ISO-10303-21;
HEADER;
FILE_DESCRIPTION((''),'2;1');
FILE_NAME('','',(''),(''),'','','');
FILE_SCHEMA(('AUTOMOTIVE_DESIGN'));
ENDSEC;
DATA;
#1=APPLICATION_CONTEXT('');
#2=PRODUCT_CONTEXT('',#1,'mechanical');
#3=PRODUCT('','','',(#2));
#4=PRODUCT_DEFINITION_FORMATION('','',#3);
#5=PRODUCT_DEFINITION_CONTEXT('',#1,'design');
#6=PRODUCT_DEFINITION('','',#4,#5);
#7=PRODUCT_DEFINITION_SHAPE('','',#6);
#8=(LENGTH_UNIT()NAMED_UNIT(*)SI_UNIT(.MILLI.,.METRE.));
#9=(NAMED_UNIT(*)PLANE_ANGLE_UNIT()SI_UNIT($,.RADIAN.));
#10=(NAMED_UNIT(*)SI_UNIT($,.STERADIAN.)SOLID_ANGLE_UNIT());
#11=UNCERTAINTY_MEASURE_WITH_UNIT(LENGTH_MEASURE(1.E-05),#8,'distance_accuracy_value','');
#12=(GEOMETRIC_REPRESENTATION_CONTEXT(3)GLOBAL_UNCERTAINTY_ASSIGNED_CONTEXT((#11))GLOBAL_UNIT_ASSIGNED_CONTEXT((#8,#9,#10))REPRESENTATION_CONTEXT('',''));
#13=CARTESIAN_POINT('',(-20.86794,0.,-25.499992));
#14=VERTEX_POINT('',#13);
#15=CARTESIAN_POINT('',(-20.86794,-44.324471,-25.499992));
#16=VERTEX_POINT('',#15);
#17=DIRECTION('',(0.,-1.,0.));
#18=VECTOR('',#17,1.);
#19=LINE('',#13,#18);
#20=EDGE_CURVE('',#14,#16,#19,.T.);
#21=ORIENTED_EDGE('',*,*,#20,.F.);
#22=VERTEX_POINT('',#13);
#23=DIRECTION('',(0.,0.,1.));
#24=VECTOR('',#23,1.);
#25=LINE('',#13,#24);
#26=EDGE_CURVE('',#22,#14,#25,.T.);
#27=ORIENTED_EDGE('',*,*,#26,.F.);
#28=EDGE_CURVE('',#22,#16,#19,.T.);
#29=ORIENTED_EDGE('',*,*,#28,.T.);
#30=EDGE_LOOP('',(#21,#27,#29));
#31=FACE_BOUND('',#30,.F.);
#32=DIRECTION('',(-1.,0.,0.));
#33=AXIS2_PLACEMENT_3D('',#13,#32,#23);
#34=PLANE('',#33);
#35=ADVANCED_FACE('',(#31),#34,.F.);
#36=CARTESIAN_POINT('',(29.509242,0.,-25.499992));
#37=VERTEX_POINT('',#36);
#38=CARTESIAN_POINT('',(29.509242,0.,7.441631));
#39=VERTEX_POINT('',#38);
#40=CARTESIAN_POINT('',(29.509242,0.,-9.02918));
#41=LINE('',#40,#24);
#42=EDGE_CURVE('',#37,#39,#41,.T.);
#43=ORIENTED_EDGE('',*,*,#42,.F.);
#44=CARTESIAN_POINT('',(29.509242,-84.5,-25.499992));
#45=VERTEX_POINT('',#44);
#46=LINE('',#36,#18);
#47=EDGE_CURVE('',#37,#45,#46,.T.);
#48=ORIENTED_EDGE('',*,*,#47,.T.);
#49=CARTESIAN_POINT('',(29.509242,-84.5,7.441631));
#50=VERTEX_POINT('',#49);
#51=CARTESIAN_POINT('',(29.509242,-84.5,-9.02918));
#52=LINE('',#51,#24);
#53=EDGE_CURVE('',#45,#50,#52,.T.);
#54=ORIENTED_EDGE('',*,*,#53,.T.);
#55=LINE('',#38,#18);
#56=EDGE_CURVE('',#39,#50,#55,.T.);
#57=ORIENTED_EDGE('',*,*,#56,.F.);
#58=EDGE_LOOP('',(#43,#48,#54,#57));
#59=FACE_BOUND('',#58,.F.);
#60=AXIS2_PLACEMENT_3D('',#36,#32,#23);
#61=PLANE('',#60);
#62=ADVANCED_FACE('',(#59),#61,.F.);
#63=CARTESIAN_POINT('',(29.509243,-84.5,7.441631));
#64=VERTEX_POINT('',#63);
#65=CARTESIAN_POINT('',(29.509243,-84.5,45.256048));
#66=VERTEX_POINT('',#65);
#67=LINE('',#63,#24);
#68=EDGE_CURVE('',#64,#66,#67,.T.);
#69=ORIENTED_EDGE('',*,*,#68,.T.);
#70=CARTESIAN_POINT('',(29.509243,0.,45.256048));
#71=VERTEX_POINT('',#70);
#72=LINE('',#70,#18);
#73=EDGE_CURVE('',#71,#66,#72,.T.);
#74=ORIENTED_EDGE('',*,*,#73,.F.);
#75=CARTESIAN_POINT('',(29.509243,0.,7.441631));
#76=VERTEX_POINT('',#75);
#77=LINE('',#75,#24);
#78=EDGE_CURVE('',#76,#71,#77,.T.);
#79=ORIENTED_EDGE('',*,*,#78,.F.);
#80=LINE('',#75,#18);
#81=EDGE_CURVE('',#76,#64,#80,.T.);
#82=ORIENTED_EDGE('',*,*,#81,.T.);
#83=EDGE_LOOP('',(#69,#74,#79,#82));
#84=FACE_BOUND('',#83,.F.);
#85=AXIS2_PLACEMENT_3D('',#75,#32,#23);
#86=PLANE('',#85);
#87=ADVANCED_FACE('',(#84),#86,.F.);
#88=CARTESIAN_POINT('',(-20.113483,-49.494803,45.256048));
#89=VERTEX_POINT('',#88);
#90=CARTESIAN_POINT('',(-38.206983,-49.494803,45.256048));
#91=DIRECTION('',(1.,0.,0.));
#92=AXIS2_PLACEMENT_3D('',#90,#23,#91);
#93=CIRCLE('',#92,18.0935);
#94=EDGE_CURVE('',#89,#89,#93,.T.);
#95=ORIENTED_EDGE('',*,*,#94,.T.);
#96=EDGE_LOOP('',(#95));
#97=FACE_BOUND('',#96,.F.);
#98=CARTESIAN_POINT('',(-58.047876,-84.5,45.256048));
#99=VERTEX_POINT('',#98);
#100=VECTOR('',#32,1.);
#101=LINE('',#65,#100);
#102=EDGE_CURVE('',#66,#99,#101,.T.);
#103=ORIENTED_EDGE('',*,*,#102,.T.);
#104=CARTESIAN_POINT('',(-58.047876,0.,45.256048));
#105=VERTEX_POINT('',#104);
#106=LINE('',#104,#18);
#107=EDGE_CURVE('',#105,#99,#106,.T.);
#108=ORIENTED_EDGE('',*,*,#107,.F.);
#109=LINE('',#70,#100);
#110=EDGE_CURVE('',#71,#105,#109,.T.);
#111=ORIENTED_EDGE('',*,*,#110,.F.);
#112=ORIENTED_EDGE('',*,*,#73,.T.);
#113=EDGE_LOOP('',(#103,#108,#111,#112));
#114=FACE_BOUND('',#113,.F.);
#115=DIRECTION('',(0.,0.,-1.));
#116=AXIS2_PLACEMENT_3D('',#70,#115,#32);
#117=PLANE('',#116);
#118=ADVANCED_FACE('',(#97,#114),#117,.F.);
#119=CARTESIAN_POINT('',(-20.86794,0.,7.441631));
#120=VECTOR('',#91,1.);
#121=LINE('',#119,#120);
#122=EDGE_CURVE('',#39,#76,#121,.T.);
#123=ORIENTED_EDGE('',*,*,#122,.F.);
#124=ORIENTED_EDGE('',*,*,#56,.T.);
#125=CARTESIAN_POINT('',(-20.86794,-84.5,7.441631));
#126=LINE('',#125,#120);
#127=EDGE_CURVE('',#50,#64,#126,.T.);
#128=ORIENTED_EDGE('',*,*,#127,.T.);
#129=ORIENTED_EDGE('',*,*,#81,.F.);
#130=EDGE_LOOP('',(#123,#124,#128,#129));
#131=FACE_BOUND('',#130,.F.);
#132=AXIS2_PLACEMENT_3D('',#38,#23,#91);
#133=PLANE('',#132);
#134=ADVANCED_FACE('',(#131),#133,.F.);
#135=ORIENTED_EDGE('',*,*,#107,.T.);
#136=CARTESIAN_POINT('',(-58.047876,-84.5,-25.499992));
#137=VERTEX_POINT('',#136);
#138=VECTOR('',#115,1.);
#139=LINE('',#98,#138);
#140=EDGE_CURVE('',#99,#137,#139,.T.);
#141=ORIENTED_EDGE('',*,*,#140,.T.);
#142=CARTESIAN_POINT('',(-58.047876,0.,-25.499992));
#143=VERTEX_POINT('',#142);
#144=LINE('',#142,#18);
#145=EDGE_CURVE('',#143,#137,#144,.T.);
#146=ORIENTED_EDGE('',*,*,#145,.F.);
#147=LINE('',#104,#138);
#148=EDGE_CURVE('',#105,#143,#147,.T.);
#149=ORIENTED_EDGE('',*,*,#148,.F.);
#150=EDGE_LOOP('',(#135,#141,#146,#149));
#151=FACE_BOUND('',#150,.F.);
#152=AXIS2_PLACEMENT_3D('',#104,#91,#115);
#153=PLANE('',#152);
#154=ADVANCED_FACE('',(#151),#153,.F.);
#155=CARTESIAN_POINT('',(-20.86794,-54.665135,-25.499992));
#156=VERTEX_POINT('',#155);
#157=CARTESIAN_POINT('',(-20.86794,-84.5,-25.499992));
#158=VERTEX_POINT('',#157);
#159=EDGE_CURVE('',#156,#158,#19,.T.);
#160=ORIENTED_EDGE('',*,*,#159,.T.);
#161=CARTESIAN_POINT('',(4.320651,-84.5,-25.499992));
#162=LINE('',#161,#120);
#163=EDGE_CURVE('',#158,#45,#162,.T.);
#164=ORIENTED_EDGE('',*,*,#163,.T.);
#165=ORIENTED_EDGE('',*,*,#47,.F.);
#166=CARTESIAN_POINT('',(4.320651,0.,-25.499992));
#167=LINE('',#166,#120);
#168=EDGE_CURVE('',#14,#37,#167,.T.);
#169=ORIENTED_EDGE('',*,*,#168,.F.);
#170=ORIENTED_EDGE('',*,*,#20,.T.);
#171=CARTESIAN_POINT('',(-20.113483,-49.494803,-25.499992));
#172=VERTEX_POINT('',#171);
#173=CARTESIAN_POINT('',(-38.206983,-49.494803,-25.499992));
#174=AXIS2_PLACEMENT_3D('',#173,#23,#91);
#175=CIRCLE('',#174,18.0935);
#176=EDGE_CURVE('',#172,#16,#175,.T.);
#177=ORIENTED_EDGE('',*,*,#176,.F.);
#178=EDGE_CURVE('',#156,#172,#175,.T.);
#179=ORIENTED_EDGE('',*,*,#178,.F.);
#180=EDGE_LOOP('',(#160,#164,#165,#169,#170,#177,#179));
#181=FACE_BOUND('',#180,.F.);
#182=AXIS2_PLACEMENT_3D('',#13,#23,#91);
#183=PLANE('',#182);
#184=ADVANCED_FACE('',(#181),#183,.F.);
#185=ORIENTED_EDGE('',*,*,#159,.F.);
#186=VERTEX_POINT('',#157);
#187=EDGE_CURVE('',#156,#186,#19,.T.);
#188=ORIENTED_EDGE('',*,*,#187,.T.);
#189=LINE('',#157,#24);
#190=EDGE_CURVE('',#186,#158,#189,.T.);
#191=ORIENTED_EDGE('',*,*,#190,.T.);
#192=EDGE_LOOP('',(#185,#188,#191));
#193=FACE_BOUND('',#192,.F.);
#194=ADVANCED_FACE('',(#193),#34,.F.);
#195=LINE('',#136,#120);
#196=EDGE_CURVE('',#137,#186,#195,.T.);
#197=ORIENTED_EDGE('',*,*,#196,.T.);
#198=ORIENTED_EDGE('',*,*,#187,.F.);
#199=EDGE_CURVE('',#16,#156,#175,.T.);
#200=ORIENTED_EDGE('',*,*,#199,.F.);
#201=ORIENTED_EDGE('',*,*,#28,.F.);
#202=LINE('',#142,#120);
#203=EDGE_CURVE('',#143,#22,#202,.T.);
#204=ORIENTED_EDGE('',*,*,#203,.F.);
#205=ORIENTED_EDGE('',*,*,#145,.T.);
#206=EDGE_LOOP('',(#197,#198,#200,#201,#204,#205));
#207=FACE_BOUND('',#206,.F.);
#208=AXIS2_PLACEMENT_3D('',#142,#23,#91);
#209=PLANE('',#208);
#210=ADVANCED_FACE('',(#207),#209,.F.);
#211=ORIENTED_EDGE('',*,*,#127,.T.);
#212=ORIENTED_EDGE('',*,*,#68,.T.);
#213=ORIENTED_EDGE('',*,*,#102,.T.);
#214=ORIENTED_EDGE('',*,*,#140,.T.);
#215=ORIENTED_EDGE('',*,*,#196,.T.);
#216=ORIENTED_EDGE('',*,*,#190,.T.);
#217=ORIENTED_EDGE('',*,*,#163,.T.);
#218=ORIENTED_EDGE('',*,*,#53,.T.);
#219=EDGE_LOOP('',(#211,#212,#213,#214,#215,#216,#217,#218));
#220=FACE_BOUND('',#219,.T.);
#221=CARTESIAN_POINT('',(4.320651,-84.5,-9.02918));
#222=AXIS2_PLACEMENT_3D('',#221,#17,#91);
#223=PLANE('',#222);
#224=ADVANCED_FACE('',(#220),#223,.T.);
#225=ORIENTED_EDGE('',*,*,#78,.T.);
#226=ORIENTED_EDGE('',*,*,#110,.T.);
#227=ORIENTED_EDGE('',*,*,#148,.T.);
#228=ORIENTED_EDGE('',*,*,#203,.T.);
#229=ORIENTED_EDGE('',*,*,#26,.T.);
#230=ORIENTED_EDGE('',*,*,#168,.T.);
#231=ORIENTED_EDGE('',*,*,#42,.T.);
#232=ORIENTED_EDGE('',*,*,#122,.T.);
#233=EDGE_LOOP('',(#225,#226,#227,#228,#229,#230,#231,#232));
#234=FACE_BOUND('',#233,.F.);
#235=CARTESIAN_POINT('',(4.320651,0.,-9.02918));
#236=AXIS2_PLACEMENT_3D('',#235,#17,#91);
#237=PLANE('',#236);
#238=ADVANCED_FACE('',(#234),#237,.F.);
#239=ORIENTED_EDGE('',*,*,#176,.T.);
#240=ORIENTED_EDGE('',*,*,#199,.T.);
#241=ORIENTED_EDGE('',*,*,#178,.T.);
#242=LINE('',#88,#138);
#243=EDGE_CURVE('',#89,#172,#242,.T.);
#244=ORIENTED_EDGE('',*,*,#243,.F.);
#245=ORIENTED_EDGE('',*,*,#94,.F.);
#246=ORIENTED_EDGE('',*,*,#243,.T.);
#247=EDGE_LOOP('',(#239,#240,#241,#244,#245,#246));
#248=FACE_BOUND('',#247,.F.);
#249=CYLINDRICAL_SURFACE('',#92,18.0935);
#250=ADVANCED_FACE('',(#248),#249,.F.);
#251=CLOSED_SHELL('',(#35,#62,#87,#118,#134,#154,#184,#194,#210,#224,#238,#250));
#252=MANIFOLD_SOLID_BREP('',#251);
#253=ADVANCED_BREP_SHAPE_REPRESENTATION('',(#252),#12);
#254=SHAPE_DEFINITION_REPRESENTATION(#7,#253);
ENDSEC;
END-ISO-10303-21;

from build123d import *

# Parameters (mm, degrees)
F0_W     = 50.377183
F0_H     = 32.941623
F1_DEPTH = 84.5
F2_R     = 18.0935
F3_DEPTH = 70.757041


with BuildPart() as f1:
    # F0 (on Front) → F1 (new body)
    with BuildSketch(Plane.XZ):
        with Locations((4.320651, -9.02918)):
            Rectangle(F0_W, F0_H)
        Polygon((29.509243, 45.256048), (-58.047876, 45.256048), (-58.047876, -25.499992), (-20.86794, -25.499992), (-20.86794, 7.441631), (29.509243, 7.441631), align=None)
    extrude(amount=F1_DEPTH)

    # F2 (on face) → F3 (cut, through all)
    with BuildSketch(Plane.XY.offset(45.256048)):
        with Locations((-38.206983, -49.494803)):
            Circle(F2_R)
    extrude(amount=-F3_DEPTH, mode=Mode.SUBTRACT)


solid = f1.part
